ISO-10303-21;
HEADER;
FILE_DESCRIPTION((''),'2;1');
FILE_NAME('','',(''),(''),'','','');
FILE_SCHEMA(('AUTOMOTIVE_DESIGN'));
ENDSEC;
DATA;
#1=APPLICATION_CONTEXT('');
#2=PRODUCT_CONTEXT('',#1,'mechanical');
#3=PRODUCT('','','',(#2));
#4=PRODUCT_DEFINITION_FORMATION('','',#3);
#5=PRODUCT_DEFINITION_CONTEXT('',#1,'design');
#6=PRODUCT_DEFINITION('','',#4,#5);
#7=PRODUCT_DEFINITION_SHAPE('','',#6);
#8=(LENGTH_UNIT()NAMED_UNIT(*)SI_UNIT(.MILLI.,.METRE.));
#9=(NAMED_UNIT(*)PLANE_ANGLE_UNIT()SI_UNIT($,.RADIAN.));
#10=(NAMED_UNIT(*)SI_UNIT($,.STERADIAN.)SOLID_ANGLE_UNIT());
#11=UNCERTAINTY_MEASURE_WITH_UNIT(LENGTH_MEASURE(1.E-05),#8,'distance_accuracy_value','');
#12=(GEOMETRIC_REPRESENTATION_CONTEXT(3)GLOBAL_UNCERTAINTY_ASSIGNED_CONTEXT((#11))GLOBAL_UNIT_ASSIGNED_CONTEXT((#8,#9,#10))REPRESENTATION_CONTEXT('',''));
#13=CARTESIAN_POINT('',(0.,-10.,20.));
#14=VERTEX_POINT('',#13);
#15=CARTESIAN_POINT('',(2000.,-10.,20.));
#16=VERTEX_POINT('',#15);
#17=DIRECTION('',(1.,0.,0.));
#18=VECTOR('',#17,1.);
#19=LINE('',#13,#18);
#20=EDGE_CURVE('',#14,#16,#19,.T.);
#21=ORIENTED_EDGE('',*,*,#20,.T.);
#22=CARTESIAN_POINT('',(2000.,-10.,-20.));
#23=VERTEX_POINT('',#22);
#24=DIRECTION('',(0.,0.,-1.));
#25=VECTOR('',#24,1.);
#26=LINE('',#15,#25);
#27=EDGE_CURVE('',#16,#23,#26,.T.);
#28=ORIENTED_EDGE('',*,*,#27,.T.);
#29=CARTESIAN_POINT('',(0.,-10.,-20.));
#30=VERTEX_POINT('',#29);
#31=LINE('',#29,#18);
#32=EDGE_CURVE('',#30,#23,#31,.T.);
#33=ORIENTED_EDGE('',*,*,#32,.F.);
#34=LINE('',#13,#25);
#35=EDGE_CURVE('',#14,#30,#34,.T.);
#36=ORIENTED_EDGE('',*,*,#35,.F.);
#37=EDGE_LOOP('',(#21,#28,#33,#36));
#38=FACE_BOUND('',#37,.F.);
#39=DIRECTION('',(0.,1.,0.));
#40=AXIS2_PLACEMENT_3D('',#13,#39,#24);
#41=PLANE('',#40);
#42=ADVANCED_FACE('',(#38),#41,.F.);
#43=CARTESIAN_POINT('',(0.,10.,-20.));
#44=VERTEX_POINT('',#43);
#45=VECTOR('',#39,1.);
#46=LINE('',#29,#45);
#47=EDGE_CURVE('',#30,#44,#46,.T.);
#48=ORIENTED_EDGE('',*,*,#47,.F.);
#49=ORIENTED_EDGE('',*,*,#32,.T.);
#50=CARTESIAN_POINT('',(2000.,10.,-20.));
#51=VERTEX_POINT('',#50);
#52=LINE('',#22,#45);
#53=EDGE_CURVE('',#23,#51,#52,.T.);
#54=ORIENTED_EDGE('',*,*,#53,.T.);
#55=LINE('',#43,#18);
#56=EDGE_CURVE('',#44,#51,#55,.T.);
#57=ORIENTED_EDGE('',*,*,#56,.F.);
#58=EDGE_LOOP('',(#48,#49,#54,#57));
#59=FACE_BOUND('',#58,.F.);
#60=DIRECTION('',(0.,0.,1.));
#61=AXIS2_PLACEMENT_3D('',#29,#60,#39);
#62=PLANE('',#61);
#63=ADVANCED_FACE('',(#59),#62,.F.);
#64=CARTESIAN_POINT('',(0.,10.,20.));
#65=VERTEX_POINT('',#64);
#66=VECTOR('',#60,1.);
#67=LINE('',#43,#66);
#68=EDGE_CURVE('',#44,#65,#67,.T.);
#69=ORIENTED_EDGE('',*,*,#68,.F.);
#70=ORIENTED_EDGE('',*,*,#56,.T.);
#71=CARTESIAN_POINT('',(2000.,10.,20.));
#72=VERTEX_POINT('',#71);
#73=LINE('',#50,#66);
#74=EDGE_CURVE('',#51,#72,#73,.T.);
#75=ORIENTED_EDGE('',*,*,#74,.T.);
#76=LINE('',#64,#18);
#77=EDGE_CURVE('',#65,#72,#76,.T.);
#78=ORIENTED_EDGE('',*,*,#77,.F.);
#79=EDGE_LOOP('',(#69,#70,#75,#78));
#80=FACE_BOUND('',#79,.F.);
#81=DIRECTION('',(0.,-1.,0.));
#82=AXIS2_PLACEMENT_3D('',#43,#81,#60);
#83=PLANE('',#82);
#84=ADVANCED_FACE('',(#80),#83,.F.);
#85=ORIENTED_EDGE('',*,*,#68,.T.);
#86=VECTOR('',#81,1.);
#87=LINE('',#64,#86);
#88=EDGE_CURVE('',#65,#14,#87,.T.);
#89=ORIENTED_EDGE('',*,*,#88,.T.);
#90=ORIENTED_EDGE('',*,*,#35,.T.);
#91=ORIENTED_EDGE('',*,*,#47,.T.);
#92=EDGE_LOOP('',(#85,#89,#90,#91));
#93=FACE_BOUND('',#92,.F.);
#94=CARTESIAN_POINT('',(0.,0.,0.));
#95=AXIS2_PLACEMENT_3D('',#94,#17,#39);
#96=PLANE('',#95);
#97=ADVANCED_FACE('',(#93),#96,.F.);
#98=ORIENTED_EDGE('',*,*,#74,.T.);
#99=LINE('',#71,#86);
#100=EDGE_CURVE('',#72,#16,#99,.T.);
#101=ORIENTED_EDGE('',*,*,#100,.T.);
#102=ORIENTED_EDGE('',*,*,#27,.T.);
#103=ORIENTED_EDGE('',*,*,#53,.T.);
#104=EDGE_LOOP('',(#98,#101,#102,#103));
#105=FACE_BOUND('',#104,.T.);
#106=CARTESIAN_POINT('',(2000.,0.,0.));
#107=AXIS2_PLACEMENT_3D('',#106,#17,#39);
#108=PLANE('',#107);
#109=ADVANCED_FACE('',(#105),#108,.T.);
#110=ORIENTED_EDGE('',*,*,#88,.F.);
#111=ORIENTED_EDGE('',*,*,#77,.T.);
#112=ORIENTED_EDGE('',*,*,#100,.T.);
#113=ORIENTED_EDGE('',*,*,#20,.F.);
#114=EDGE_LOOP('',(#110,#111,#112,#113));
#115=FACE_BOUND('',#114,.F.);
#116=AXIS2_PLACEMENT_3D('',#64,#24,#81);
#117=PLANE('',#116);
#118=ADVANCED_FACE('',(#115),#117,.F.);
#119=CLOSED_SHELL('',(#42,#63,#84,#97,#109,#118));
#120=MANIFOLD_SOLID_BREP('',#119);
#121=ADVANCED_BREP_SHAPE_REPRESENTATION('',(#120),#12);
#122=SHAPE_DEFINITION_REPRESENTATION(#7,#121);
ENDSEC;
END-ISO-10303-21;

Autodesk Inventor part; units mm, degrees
ref_plane "YZ Plane" through (0, 0, 0) normal (1, 0, 0) x (0, 1, 0)
ref_plane "XZ Plane" through (0, 0, 0) normal (0, 1, 0) x (-1, 0, 0)
ref_plane "XY Plane" through (0, 0, 0) normal (0, 0, 1) x (1, 0, 0)
sketch "Skizze2" plane through (0, 0, 0) normal (1, 0, 0) x (0, 1, 0)
  line L0 (-10, -20) -> (10, -20)
  line L1 (10, -20) -> (10, 20)
  line L2 (10, 20) -> (-10, 20)
  line L3 (-10, 20) -> (-10, -20)
  line L4 (-10, -20) -> (10, 20) construction
  line L5 (10, -20) -> (-10, 20) construction
  point P0 (0, 0)
  dimension "d4" = 20
  dimension "d5" = 40
extrude "Extrusion2" add sketch "Skizze2" along normal blind 2000
properties part number "HFS5-2040-2000" material "Aluminium 6061"
